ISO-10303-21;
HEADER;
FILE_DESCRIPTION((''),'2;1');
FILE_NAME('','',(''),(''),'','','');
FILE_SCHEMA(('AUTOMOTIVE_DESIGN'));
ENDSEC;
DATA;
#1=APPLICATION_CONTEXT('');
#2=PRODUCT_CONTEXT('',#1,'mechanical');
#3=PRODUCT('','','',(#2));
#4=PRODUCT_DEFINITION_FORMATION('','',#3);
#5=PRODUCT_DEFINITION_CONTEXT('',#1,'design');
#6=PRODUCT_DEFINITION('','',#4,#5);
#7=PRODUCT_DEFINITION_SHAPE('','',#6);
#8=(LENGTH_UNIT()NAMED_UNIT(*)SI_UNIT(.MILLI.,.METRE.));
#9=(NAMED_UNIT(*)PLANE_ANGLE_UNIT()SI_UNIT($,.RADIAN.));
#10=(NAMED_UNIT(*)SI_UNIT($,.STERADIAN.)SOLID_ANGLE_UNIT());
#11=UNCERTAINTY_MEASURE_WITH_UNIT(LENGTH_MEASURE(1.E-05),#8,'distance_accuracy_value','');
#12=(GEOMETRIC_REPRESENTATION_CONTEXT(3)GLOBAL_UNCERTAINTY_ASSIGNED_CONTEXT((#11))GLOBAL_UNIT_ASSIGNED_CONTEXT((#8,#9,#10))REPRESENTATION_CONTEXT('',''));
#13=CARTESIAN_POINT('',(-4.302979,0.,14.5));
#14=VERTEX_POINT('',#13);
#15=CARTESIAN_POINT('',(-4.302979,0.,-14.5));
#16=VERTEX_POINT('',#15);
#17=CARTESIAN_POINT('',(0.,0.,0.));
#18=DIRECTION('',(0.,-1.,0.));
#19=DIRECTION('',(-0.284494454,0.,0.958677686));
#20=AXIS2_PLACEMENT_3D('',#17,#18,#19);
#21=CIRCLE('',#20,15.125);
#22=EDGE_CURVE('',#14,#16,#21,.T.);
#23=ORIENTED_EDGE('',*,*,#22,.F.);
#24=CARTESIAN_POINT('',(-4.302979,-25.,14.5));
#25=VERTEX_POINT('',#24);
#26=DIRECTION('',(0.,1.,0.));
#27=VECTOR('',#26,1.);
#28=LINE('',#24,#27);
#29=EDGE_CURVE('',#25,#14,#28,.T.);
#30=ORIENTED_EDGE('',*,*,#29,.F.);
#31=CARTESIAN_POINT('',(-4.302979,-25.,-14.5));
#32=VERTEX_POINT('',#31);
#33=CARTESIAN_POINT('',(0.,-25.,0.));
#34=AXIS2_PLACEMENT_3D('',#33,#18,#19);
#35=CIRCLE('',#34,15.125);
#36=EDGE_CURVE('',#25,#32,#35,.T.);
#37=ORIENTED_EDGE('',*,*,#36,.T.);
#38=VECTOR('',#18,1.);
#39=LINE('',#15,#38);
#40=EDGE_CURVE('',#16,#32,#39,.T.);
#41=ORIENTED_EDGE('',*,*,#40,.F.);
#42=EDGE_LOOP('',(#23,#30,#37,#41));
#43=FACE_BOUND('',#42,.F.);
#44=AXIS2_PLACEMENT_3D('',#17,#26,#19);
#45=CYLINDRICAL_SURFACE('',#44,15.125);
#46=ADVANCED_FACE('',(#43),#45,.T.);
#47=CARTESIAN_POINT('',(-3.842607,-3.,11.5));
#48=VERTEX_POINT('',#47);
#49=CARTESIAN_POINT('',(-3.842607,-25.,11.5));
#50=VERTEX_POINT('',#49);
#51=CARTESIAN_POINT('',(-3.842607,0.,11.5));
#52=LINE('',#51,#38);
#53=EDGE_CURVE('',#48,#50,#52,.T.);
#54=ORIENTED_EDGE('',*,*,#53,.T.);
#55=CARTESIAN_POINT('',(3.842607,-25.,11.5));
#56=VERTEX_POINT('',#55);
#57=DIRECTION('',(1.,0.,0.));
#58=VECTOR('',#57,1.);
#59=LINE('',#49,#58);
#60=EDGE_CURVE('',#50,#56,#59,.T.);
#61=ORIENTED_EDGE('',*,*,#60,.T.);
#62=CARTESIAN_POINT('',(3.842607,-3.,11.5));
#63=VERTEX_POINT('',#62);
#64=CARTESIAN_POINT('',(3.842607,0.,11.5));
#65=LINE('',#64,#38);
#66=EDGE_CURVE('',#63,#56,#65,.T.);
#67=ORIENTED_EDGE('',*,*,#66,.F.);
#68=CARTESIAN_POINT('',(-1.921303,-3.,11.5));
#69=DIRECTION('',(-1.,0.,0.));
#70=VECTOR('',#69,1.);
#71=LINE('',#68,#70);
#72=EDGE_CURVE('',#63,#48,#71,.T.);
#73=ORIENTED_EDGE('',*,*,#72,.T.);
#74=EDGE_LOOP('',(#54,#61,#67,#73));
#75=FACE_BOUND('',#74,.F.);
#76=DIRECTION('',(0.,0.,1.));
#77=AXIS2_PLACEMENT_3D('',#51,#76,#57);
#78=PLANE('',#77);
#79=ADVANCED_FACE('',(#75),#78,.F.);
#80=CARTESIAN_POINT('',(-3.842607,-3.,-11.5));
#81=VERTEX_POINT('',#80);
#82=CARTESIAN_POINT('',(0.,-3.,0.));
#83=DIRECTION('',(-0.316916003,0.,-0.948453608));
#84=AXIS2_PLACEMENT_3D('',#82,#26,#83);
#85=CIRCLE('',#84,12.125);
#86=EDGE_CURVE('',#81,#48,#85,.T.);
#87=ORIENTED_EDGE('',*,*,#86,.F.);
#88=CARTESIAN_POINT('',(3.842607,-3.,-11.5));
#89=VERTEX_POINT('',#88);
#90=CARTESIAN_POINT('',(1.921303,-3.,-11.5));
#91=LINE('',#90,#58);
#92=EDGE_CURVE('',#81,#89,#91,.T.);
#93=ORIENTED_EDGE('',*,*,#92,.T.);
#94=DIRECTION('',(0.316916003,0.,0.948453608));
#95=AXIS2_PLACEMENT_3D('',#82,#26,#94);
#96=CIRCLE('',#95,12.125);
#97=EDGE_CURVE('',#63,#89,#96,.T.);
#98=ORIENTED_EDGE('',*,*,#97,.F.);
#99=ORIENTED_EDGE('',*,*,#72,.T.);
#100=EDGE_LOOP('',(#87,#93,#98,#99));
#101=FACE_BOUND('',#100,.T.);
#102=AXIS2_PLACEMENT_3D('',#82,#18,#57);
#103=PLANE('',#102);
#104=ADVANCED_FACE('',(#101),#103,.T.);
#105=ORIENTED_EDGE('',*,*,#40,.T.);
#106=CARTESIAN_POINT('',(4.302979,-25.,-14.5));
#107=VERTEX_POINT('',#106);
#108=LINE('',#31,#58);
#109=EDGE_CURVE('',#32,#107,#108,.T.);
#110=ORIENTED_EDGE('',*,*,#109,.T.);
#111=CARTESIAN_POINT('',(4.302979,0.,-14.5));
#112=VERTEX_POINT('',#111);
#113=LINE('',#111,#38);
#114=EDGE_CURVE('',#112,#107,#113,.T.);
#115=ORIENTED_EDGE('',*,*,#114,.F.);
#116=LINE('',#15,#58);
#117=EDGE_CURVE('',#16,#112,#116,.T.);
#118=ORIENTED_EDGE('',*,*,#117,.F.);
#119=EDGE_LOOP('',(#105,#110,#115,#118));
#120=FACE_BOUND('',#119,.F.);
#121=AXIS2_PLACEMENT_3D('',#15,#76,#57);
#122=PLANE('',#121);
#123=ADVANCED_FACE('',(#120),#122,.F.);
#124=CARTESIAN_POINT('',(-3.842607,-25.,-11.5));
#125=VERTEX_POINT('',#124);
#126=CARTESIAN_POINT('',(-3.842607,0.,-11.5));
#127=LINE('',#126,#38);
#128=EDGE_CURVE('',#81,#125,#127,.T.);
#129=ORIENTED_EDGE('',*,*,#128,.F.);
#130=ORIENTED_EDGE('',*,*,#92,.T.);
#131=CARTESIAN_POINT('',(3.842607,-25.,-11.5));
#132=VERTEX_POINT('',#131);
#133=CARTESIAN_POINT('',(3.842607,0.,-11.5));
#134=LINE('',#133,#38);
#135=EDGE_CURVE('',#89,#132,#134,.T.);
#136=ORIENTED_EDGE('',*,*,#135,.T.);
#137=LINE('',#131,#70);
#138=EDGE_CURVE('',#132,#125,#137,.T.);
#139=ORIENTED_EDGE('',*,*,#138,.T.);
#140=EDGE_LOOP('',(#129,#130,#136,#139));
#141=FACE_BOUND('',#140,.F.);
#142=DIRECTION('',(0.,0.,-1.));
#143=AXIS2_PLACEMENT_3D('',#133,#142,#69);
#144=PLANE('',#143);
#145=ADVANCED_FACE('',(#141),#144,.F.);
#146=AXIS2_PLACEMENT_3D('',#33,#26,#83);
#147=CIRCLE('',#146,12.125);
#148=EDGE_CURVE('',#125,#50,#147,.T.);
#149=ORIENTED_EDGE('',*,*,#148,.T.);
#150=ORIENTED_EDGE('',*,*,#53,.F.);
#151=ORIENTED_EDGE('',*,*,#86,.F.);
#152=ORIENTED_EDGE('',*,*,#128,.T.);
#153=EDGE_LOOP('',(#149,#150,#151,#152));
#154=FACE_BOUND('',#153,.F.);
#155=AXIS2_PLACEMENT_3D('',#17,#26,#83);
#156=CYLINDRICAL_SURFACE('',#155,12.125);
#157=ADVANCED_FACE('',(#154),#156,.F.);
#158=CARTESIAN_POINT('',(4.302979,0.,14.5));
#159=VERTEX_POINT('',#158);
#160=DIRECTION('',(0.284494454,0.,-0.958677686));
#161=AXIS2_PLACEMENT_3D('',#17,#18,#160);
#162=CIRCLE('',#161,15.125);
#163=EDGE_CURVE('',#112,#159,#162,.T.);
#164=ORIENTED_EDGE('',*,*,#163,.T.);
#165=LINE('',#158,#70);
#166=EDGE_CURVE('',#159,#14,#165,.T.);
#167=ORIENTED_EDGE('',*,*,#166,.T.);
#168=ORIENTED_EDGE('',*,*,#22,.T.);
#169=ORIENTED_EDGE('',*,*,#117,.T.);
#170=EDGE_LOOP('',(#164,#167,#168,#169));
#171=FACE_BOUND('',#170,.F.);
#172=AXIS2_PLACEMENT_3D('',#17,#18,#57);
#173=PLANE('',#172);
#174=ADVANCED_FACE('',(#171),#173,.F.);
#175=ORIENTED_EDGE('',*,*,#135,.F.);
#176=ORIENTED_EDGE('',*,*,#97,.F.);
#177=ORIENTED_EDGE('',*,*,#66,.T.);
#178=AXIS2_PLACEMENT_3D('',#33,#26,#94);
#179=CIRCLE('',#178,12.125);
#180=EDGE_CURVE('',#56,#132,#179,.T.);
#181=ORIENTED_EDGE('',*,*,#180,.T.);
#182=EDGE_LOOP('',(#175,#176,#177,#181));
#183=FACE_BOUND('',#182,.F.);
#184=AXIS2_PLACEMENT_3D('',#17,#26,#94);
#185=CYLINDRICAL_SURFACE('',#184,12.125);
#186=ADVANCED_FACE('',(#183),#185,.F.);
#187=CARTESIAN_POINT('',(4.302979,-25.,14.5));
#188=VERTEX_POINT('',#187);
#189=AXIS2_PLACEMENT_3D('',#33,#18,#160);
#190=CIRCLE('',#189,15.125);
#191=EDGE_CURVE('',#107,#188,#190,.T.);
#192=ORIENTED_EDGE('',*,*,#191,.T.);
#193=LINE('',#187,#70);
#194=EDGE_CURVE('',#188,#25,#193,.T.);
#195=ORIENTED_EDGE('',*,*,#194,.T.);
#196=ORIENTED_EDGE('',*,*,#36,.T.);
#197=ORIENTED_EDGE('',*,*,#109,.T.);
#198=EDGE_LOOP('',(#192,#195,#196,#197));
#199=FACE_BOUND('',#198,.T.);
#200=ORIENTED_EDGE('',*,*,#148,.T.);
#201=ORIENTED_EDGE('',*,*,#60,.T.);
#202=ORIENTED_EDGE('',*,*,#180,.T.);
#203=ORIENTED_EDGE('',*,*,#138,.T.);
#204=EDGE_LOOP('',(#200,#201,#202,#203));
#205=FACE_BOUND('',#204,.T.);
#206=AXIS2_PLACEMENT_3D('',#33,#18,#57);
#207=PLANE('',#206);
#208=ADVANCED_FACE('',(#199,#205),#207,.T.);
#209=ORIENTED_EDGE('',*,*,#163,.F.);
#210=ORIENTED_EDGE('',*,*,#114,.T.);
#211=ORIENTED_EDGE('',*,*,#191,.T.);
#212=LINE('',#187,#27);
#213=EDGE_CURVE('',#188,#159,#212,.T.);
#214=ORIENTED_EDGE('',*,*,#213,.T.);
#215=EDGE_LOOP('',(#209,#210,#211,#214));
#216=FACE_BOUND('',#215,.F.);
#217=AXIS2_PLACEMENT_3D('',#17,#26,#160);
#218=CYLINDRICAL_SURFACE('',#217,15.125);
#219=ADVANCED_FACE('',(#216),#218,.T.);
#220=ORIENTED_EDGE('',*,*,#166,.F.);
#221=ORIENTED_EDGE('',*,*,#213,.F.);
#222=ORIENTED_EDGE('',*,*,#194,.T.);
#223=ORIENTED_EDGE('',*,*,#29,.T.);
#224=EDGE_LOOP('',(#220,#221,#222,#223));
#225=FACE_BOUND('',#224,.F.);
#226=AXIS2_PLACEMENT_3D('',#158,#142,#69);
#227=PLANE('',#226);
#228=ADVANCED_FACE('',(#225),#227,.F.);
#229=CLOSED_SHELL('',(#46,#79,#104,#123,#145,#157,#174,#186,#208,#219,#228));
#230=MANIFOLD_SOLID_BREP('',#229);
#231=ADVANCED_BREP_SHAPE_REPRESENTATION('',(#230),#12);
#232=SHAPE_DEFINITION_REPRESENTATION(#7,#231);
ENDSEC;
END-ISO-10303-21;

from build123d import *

# Parameters (mm, degrees)
F1_DEPTH = 3
F2_DEPTH = 25


with BuildPart() as f1:
    # F0 (on Front) → F1 (new body)
    with BuildSketch(Plane.XZ):
        with BuildLine():
            ThreePointArc((-4.3029786195, 14.5), (-15.125, 0), (-4.3029786195, -14.5))
            Line((-4.3029786195, -14.5), (4.3029786195, -14.5))
            ThreePointArc((4.3029786195, -14.5), (15.125, 0), (4.3029786195, 14.5))
            Line((4.3029786195, 14.5), (-4.3029786195, 14.5))
        make_face()
        with BuildLine():
            ThreePointArc((-3.8426065372, -11.5), (-12.125, 0), (-3.8426065372, 11.5))
            Line((-3.8426065372, 11.5), (3.8426065372, 11.5))
            ThreePointArc((3.8426065372, 11.5), (12.125, 0), (3.8426065372, -11.5))
            Line((3.8426065372, -11.5), (-3.8426065372, -11.5))
        make_face(mode=Mode.SUBTRACT)
        with BuildLine():
            Line((3.8426065372, 11.5), (-3.8426065372, 11.5))
            ThreePointArc((-3.8426065372, 11.5), (-12.125, 0), (-3.8426065372, -11.5))
            Line((-3.8426065372, -11.5), (3.8426065372, -11.5))
            ThreePointArc((3.8426065372, -11.5), (12.125, 0), (3.8426065372, 11.5))
        make_face()
    extrude(amount=F1_DEPTH)

    # F0 (on Front) → F2 (join)
    with BuildSketch(Plane.XZ):
        with BuildLine():
            ThreePointArc((-4.3029786195, 14.5), (-15.125, 0), (-4.3029786195, -14.5))
            Line((-4.3029786195, -14.5), (4.3029786195, -14.5))
            ThreePointArc((4.3029786195, -14.5), (15.125, 0), (4.3029786195, 14.5))
            Line((4.3029786195, 14.5), (-4.3029786195, 14.5))
        make_face()
        with BuildLine():
            ThreePointArc((-3.8426065372, -11.5), (-12.125, 0), (-3.8426065372, 11.5))
            Line((-3.8426065372, 11.5), (3.8426065372, 11.5))
            ThreePointArc((3.8426065372, 11.5), (12.125, 0), (3.8426065372, -11.5))
            Line((3.8426065372, -11.5), (-3.8426065372, -11.5))
        make_face(mode=Mode.SUBTRACT)
    extrude(amount=F2_DEPTH)


solid = f1.part
